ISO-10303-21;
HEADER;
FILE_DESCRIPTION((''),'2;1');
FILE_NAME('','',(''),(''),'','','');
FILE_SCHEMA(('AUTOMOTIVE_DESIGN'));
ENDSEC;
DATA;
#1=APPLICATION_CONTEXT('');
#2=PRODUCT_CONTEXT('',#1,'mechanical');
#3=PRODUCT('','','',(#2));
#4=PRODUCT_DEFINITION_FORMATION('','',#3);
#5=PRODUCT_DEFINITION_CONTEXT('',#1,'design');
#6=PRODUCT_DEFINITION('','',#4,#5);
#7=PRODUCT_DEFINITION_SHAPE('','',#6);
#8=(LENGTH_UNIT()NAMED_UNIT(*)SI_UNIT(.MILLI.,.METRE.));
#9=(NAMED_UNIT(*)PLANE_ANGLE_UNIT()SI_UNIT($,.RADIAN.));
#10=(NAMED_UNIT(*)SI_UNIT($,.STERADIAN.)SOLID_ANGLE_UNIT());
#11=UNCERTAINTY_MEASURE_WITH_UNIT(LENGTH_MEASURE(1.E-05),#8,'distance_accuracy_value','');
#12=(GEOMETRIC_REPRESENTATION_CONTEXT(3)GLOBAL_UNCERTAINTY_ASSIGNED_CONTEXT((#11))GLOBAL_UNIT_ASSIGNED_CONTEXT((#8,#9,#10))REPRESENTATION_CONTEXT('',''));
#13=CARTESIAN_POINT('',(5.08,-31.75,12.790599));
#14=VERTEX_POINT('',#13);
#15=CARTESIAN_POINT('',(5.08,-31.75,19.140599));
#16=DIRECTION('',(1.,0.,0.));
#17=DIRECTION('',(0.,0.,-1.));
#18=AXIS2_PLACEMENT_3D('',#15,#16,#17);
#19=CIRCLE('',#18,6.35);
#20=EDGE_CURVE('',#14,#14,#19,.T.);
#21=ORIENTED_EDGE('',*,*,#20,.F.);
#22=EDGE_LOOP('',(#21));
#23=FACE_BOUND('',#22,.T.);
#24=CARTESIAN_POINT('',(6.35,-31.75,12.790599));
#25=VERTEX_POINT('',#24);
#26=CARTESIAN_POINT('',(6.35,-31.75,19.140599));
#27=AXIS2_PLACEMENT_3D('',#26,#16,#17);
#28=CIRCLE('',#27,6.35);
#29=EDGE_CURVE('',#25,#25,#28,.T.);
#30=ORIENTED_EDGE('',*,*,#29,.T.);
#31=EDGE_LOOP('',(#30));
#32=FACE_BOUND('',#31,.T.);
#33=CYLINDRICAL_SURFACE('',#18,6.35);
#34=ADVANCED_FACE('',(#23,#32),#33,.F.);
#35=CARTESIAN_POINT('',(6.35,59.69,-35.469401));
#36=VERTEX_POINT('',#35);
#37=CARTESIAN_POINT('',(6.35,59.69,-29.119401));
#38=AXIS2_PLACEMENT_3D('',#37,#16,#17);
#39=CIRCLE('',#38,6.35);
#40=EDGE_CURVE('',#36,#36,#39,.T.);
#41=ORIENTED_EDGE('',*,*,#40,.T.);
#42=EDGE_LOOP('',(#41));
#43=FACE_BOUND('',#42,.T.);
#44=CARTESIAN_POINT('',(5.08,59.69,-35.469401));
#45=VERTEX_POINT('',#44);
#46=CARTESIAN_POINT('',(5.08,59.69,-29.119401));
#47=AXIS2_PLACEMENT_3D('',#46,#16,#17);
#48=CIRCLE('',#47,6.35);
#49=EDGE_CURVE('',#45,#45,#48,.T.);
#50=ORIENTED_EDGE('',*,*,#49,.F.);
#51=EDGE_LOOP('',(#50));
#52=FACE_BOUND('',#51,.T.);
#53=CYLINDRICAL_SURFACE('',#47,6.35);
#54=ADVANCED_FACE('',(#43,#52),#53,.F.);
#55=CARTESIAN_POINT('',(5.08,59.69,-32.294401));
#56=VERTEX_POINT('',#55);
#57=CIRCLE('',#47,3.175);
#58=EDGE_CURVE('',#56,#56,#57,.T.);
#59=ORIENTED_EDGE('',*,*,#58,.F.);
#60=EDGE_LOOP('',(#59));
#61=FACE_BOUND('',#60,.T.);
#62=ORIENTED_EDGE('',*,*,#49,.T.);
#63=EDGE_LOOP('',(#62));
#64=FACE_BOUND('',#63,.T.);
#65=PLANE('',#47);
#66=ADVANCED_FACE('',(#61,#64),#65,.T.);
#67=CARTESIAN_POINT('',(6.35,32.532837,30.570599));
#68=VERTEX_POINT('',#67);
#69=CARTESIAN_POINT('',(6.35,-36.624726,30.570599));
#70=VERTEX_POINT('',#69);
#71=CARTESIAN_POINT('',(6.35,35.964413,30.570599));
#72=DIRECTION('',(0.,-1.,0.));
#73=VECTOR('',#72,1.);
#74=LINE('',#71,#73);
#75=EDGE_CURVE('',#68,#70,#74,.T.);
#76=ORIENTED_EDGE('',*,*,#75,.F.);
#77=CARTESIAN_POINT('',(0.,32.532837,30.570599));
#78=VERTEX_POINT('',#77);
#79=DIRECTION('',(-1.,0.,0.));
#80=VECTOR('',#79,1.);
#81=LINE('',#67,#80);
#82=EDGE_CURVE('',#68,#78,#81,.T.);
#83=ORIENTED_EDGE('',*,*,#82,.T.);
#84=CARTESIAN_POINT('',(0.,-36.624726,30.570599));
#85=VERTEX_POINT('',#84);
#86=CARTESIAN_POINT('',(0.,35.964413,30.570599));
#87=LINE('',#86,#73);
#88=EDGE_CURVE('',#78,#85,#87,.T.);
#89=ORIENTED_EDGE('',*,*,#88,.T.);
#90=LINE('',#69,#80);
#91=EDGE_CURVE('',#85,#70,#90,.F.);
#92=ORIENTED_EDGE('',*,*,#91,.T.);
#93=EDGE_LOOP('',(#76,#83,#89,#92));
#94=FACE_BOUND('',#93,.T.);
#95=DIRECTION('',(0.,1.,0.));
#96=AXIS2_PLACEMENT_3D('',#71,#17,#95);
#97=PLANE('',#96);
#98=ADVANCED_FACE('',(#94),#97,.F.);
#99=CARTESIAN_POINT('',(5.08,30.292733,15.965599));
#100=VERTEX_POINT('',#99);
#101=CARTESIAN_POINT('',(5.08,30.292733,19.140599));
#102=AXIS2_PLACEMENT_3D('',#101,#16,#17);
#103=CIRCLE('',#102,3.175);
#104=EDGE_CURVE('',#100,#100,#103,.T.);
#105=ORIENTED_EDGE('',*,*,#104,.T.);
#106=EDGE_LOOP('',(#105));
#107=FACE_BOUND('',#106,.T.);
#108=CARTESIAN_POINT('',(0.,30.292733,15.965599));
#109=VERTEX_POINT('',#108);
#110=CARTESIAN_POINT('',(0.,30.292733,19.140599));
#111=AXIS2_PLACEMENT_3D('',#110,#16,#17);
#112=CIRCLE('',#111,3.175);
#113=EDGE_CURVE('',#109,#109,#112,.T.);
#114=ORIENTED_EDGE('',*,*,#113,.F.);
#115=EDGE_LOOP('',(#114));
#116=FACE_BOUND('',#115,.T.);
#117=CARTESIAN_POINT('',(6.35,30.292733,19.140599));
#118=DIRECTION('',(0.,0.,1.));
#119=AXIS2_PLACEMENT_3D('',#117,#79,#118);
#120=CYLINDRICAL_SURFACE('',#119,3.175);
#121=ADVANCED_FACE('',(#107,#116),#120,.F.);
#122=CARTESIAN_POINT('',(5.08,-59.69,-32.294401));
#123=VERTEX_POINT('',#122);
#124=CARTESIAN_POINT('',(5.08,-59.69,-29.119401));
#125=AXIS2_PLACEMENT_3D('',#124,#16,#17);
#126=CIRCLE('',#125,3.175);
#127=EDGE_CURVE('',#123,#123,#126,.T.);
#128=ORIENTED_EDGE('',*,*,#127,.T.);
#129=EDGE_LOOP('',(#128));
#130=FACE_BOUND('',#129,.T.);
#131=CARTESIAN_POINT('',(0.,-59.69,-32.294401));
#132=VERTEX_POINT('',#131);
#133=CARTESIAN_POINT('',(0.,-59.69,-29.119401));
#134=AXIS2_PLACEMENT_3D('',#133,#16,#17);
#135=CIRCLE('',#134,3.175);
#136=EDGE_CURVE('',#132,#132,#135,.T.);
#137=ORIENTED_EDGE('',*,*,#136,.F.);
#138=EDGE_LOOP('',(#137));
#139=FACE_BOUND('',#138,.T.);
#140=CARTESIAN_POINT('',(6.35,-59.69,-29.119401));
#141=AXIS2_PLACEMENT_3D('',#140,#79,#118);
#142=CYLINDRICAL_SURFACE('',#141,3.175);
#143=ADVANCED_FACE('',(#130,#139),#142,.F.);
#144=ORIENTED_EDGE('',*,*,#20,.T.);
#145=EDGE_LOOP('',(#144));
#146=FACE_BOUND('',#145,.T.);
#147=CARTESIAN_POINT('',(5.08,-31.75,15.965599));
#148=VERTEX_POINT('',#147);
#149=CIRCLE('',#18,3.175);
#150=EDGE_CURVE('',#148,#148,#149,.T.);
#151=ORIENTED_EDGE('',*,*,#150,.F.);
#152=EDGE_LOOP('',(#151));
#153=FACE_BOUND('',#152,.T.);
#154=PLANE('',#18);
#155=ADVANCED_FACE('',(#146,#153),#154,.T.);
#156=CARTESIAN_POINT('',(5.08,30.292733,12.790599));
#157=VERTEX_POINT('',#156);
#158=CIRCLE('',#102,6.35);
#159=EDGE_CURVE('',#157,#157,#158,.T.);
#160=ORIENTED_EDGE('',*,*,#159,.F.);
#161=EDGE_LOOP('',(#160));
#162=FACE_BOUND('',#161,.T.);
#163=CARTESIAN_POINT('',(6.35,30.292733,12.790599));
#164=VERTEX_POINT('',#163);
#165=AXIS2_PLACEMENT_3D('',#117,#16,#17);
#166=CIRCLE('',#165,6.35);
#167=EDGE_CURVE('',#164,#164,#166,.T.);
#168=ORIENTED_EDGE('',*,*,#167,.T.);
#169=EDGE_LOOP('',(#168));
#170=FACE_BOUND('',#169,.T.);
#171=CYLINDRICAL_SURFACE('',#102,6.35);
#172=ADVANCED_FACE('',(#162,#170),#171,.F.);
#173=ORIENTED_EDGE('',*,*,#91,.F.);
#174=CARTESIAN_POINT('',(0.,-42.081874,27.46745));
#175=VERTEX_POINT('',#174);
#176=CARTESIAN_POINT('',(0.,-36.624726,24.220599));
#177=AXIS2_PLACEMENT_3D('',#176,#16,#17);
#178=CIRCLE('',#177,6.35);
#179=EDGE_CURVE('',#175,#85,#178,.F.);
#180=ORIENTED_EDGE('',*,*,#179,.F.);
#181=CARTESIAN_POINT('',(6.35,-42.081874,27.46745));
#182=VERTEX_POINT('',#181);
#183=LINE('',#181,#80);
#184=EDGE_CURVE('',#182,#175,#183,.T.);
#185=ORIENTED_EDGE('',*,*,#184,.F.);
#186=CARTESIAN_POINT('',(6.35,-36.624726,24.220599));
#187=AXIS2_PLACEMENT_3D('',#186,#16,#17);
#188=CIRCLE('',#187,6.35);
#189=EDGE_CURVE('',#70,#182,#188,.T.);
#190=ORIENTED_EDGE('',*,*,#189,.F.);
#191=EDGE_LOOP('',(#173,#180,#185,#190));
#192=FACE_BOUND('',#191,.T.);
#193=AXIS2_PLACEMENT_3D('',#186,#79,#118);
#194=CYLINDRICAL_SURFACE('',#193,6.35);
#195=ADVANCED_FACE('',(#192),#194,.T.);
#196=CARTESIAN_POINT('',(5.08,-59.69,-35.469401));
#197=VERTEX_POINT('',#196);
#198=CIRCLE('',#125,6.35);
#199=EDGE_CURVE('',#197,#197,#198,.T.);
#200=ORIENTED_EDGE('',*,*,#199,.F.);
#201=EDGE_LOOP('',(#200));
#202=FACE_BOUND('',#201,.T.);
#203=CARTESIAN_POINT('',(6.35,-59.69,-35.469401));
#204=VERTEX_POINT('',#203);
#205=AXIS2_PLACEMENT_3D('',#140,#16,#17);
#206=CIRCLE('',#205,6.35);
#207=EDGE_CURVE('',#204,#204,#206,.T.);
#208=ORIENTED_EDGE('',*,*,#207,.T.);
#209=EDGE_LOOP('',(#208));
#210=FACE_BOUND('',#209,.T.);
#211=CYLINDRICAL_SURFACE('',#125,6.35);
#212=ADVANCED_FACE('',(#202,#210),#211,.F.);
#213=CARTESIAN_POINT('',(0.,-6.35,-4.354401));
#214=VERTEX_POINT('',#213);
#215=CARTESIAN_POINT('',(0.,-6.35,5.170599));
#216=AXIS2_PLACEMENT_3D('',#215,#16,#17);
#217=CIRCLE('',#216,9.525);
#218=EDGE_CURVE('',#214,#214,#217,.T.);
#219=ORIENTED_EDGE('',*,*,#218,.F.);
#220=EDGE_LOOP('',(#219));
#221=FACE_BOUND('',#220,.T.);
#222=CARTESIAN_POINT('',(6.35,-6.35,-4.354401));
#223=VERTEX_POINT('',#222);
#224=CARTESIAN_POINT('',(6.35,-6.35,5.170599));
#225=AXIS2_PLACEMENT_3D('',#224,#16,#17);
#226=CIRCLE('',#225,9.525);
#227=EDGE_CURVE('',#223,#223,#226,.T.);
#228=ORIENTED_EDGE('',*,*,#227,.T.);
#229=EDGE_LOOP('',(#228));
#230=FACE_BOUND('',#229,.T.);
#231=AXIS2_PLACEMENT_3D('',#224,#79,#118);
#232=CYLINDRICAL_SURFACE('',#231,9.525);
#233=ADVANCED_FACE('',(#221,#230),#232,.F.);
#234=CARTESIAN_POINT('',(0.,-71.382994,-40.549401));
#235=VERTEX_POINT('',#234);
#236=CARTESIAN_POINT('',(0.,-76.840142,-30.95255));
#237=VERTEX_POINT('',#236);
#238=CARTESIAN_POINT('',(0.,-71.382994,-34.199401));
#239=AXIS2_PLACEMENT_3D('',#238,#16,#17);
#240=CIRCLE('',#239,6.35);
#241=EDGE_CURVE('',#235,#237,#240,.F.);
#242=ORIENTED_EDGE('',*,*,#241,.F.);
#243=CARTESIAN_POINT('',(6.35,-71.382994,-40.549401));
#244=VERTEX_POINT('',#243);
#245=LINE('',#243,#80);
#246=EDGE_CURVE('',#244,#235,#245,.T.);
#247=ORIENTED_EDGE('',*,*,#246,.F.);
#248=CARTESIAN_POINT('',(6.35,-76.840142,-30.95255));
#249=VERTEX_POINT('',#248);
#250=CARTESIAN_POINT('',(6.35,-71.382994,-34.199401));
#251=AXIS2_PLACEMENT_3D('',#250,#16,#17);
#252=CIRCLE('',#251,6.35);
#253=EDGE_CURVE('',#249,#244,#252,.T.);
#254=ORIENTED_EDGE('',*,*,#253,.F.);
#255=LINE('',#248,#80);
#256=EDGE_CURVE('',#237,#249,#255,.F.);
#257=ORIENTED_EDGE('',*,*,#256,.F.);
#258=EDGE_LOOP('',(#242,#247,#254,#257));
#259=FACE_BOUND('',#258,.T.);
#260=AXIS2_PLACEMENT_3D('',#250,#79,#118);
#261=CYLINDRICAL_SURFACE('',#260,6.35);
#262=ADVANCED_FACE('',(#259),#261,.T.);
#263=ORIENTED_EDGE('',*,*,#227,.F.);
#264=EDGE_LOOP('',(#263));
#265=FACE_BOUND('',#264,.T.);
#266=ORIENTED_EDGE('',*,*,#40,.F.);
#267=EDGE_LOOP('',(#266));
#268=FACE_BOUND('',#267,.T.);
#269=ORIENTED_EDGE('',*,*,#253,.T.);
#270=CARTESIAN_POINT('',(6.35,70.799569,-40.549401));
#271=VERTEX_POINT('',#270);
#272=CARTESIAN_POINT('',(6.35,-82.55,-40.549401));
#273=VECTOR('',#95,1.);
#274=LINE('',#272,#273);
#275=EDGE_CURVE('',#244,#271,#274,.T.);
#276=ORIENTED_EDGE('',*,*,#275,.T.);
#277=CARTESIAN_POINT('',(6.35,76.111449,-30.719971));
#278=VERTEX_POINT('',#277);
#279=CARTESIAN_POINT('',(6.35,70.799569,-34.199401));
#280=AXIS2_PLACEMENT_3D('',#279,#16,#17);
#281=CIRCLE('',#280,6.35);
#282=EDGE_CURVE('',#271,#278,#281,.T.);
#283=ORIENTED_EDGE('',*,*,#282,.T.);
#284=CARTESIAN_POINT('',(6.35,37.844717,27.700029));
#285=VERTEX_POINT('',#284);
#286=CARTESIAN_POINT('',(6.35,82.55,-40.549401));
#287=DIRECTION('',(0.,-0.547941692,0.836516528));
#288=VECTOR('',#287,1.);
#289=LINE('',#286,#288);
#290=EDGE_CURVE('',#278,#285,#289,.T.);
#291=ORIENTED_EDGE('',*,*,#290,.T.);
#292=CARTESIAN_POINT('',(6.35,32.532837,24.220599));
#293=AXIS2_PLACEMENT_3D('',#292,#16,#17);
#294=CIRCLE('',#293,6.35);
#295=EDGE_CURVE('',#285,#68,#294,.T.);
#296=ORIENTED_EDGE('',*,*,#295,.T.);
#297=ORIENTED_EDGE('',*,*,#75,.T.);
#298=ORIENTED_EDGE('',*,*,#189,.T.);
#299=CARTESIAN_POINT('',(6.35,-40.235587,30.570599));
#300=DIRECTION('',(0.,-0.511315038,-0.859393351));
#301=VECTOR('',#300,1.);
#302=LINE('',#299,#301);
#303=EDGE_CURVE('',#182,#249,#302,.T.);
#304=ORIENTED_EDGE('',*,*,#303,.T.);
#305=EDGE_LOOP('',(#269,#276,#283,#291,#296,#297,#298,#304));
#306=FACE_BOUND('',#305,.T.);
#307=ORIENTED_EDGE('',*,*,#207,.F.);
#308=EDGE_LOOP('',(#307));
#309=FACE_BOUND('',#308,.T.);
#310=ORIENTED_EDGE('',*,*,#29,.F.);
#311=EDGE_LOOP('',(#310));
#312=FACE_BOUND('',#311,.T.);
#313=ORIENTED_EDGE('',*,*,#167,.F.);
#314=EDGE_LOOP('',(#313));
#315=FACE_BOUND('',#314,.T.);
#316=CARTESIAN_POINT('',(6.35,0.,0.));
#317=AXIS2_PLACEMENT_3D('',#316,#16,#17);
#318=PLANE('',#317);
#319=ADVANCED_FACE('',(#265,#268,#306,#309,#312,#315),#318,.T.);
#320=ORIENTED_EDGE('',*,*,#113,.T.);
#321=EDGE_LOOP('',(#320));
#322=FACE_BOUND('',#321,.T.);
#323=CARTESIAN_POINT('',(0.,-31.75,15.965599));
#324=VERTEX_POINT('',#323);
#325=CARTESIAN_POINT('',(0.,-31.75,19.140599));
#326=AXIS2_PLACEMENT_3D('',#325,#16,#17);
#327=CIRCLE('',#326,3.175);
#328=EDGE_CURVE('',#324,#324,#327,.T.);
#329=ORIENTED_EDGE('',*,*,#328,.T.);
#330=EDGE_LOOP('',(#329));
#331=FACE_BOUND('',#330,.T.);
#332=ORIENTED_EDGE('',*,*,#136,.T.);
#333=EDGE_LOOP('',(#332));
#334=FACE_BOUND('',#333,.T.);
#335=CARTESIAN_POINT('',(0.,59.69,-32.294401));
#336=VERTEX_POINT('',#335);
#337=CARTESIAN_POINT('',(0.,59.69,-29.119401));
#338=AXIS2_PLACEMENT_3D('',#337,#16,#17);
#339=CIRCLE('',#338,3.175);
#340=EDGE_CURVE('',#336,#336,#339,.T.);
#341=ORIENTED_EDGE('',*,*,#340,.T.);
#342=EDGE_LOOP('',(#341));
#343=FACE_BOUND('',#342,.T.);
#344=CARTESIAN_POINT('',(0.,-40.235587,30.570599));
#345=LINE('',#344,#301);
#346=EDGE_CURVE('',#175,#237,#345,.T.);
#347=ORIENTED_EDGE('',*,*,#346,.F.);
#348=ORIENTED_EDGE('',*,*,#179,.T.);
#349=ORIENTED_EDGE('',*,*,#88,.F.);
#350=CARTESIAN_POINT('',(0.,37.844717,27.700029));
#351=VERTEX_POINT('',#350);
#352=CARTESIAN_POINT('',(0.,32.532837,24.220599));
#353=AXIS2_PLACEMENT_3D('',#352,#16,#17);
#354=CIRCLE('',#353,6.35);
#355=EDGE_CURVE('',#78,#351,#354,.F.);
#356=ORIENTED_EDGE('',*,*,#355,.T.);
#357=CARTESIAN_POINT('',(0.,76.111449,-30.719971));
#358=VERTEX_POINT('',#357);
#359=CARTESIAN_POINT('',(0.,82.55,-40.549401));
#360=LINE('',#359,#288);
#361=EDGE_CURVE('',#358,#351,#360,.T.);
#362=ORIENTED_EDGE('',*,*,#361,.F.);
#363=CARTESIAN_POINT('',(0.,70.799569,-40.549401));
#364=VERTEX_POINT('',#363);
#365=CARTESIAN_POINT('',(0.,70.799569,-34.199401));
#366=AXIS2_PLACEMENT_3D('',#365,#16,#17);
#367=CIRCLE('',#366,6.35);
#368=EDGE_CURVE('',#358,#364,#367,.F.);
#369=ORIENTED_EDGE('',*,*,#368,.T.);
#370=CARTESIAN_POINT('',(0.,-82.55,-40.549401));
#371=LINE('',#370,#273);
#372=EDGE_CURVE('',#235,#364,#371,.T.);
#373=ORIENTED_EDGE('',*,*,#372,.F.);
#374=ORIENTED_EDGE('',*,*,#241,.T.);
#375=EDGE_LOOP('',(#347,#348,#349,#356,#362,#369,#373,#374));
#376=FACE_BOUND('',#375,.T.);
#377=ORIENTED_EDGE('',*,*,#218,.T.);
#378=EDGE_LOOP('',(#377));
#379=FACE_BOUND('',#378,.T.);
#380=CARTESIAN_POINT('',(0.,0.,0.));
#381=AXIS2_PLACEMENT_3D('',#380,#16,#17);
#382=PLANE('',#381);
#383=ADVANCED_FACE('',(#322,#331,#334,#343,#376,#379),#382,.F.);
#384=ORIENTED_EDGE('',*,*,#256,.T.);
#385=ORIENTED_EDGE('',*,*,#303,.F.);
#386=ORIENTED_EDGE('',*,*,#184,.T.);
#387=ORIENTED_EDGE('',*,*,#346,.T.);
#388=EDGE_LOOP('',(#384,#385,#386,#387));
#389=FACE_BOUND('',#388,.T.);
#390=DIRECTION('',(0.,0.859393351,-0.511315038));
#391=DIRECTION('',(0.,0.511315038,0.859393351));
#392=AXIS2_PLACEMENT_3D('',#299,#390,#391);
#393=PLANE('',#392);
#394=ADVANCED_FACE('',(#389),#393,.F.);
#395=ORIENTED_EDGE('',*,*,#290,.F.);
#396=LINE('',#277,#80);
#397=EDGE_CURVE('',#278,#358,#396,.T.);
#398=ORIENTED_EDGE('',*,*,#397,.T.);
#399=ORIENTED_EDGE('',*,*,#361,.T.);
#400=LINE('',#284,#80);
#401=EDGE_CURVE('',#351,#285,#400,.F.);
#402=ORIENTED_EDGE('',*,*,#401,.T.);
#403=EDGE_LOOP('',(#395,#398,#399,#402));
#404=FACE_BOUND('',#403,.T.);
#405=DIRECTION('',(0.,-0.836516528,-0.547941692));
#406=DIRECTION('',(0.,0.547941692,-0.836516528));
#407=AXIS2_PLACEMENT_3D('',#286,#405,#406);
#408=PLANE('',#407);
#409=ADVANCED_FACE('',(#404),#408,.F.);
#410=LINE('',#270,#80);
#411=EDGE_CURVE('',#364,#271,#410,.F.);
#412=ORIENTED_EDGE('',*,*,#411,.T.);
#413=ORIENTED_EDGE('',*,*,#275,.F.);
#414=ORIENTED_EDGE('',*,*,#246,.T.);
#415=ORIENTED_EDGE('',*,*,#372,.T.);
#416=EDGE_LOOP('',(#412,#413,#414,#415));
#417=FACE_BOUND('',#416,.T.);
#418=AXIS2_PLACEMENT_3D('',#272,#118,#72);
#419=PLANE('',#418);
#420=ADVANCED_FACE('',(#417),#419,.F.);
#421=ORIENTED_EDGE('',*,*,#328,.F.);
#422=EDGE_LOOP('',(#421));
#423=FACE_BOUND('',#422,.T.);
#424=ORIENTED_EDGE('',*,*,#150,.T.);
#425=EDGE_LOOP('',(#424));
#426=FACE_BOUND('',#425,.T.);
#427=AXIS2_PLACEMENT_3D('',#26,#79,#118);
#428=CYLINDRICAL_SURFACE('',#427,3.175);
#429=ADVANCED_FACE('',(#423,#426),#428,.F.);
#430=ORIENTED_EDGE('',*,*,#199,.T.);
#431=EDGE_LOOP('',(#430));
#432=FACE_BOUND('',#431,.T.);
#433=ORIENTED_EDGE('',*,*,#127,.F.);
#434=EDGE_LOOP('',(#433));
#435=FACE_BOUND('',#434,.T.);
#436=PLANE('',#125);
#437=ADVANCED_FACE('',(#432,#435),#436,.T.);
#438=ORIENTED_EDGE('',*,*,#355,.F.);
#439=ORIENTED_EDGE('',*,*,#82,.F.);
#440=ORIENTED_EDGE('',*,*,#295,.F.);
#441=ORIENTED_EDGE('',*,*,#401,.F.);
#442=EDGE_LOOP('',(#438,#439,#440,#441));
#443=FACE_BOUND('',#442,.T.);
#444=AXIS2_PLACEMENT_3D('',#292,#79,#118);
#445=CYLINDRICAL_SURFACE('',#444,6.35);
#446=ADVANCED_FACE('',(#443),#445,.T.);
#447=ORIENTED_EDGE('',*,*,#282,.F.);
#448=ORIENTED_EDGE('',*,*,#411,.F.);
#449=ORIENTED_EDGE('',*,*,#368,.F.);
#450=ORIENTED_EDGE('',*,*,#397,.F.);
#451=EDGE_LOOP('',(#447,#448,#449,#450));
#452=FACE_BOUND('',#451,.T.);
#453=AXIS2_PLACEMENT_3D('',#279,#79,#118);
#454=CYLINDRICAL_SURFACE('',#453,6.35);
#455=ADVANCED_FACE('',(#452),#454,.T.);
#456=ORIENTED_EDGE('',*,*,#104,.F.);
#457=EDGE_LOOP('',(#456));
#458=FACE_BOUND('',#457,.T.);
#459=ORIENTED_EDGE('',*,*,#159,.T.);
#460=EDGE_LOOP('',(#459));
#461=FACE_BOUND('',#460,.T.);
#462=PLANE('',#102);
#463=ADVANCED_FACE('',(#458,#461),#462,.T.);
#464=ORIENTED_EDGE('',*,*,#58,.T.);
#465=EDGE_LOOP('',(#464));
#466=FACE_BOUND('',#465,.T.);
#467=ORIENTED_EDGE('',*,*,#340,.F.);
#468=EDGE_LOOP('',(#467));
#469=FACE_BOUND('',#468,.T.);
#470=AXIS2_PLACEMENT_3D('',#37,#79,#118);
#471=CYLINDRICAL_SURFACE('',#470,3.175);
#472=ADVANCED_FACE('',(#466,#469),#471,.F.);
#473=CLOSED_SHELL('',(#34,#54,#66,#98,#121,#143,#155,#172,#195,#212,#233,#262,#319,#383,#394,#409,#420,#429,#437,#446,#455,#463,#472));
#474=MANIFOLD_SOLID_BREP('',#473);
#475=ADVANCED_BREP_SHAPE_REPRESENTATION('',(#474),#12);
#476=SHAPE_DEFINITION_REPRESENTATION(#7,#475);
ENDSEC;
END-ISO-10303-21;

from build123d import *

# Parameters (mm, degrees)
SKETCH2_R           = 3.175
SKETCH2_R_2         = 9.525
BOSS_EXTRUDE1_DEPTH = 6.35
SKETCH3_R           = 6.35
CUT_EXTRUDE1_DEPTH  = 1.27
FILLET1_R           = 6.35


with BuildPart() as part:
    # Sketch2 → Boss-Extrude1 (new body)
    with BuildSketch(Plane(origin=(0, 0, 0), x_dir=(0, 0, -1), z_dir=(1, 0, 0))):
        Polygon((-30.570599259, 35.964413408), (-30.570599259, -40.235586592), (40.549400741, -82.55), (40.549400741, 82.55), align=None)
        with Locations((29.119400741, 59.69)):
            Circle(SKETCH2_R, mode=Mode.SUBTRACT)
        with Locations((-19.140599259, 30.292732622)):
            Circle(SKETCH2_R, mode=Mode.SUBTRACT)
        with Locations((29.119400741, -59.69)):
            Circle(SKETCH2_R, mode=Mode.SUBTRACT)
        with Locations((-19.140599259, -31.75)):
            Circle(SKETCH2_R, mode=Mode.SUBTRACT)
        with Locations((-5.170599259, -6.35)):
            Circle(SKETCH2_R_2, mode=Mode.SUBTRACT)
    extrude(amount=BOSS_EXTRUDE1_DEPTH)

    # Sketch3 → Cut-Extrude1 (cut)
    with BuildSketch(Plane(origin=(6.35, 0, 0), x_dir=(0, 0, -1), z_dir=(1, 0, 0))):
        with Locations((-19.140599259, 30.292732622)):
            Circle(SKETCH3_R)
        with Locations((29.119400741, 59.69)):
            Circle(SKETCH3_R)
        with Locations((-19.140599259, -31.75)):
            Circle(SKETCH3_R)
        with Locations((29.119400741, -59.69)):
            Circle(SKETCH3_R)
    extrude(amount=-CUT_EXTRUDE1_DEPTH, mode=Mode.SUBTRACT)

    # Fillet1
    fillet1_edges = [part.edges().sort_by_distance(p)[0] for p in [
        (3.175, 82.55, -40.549400741),
        (3.175, -82.55, -40.549400741),
        (3.175, -40.235586592, 30.570599259),
        (3.175, 35.964413408, 30.570599259),
    ]]
    fillet(fillet1_edges, radius=FILLET1_R)


solid = part.part
